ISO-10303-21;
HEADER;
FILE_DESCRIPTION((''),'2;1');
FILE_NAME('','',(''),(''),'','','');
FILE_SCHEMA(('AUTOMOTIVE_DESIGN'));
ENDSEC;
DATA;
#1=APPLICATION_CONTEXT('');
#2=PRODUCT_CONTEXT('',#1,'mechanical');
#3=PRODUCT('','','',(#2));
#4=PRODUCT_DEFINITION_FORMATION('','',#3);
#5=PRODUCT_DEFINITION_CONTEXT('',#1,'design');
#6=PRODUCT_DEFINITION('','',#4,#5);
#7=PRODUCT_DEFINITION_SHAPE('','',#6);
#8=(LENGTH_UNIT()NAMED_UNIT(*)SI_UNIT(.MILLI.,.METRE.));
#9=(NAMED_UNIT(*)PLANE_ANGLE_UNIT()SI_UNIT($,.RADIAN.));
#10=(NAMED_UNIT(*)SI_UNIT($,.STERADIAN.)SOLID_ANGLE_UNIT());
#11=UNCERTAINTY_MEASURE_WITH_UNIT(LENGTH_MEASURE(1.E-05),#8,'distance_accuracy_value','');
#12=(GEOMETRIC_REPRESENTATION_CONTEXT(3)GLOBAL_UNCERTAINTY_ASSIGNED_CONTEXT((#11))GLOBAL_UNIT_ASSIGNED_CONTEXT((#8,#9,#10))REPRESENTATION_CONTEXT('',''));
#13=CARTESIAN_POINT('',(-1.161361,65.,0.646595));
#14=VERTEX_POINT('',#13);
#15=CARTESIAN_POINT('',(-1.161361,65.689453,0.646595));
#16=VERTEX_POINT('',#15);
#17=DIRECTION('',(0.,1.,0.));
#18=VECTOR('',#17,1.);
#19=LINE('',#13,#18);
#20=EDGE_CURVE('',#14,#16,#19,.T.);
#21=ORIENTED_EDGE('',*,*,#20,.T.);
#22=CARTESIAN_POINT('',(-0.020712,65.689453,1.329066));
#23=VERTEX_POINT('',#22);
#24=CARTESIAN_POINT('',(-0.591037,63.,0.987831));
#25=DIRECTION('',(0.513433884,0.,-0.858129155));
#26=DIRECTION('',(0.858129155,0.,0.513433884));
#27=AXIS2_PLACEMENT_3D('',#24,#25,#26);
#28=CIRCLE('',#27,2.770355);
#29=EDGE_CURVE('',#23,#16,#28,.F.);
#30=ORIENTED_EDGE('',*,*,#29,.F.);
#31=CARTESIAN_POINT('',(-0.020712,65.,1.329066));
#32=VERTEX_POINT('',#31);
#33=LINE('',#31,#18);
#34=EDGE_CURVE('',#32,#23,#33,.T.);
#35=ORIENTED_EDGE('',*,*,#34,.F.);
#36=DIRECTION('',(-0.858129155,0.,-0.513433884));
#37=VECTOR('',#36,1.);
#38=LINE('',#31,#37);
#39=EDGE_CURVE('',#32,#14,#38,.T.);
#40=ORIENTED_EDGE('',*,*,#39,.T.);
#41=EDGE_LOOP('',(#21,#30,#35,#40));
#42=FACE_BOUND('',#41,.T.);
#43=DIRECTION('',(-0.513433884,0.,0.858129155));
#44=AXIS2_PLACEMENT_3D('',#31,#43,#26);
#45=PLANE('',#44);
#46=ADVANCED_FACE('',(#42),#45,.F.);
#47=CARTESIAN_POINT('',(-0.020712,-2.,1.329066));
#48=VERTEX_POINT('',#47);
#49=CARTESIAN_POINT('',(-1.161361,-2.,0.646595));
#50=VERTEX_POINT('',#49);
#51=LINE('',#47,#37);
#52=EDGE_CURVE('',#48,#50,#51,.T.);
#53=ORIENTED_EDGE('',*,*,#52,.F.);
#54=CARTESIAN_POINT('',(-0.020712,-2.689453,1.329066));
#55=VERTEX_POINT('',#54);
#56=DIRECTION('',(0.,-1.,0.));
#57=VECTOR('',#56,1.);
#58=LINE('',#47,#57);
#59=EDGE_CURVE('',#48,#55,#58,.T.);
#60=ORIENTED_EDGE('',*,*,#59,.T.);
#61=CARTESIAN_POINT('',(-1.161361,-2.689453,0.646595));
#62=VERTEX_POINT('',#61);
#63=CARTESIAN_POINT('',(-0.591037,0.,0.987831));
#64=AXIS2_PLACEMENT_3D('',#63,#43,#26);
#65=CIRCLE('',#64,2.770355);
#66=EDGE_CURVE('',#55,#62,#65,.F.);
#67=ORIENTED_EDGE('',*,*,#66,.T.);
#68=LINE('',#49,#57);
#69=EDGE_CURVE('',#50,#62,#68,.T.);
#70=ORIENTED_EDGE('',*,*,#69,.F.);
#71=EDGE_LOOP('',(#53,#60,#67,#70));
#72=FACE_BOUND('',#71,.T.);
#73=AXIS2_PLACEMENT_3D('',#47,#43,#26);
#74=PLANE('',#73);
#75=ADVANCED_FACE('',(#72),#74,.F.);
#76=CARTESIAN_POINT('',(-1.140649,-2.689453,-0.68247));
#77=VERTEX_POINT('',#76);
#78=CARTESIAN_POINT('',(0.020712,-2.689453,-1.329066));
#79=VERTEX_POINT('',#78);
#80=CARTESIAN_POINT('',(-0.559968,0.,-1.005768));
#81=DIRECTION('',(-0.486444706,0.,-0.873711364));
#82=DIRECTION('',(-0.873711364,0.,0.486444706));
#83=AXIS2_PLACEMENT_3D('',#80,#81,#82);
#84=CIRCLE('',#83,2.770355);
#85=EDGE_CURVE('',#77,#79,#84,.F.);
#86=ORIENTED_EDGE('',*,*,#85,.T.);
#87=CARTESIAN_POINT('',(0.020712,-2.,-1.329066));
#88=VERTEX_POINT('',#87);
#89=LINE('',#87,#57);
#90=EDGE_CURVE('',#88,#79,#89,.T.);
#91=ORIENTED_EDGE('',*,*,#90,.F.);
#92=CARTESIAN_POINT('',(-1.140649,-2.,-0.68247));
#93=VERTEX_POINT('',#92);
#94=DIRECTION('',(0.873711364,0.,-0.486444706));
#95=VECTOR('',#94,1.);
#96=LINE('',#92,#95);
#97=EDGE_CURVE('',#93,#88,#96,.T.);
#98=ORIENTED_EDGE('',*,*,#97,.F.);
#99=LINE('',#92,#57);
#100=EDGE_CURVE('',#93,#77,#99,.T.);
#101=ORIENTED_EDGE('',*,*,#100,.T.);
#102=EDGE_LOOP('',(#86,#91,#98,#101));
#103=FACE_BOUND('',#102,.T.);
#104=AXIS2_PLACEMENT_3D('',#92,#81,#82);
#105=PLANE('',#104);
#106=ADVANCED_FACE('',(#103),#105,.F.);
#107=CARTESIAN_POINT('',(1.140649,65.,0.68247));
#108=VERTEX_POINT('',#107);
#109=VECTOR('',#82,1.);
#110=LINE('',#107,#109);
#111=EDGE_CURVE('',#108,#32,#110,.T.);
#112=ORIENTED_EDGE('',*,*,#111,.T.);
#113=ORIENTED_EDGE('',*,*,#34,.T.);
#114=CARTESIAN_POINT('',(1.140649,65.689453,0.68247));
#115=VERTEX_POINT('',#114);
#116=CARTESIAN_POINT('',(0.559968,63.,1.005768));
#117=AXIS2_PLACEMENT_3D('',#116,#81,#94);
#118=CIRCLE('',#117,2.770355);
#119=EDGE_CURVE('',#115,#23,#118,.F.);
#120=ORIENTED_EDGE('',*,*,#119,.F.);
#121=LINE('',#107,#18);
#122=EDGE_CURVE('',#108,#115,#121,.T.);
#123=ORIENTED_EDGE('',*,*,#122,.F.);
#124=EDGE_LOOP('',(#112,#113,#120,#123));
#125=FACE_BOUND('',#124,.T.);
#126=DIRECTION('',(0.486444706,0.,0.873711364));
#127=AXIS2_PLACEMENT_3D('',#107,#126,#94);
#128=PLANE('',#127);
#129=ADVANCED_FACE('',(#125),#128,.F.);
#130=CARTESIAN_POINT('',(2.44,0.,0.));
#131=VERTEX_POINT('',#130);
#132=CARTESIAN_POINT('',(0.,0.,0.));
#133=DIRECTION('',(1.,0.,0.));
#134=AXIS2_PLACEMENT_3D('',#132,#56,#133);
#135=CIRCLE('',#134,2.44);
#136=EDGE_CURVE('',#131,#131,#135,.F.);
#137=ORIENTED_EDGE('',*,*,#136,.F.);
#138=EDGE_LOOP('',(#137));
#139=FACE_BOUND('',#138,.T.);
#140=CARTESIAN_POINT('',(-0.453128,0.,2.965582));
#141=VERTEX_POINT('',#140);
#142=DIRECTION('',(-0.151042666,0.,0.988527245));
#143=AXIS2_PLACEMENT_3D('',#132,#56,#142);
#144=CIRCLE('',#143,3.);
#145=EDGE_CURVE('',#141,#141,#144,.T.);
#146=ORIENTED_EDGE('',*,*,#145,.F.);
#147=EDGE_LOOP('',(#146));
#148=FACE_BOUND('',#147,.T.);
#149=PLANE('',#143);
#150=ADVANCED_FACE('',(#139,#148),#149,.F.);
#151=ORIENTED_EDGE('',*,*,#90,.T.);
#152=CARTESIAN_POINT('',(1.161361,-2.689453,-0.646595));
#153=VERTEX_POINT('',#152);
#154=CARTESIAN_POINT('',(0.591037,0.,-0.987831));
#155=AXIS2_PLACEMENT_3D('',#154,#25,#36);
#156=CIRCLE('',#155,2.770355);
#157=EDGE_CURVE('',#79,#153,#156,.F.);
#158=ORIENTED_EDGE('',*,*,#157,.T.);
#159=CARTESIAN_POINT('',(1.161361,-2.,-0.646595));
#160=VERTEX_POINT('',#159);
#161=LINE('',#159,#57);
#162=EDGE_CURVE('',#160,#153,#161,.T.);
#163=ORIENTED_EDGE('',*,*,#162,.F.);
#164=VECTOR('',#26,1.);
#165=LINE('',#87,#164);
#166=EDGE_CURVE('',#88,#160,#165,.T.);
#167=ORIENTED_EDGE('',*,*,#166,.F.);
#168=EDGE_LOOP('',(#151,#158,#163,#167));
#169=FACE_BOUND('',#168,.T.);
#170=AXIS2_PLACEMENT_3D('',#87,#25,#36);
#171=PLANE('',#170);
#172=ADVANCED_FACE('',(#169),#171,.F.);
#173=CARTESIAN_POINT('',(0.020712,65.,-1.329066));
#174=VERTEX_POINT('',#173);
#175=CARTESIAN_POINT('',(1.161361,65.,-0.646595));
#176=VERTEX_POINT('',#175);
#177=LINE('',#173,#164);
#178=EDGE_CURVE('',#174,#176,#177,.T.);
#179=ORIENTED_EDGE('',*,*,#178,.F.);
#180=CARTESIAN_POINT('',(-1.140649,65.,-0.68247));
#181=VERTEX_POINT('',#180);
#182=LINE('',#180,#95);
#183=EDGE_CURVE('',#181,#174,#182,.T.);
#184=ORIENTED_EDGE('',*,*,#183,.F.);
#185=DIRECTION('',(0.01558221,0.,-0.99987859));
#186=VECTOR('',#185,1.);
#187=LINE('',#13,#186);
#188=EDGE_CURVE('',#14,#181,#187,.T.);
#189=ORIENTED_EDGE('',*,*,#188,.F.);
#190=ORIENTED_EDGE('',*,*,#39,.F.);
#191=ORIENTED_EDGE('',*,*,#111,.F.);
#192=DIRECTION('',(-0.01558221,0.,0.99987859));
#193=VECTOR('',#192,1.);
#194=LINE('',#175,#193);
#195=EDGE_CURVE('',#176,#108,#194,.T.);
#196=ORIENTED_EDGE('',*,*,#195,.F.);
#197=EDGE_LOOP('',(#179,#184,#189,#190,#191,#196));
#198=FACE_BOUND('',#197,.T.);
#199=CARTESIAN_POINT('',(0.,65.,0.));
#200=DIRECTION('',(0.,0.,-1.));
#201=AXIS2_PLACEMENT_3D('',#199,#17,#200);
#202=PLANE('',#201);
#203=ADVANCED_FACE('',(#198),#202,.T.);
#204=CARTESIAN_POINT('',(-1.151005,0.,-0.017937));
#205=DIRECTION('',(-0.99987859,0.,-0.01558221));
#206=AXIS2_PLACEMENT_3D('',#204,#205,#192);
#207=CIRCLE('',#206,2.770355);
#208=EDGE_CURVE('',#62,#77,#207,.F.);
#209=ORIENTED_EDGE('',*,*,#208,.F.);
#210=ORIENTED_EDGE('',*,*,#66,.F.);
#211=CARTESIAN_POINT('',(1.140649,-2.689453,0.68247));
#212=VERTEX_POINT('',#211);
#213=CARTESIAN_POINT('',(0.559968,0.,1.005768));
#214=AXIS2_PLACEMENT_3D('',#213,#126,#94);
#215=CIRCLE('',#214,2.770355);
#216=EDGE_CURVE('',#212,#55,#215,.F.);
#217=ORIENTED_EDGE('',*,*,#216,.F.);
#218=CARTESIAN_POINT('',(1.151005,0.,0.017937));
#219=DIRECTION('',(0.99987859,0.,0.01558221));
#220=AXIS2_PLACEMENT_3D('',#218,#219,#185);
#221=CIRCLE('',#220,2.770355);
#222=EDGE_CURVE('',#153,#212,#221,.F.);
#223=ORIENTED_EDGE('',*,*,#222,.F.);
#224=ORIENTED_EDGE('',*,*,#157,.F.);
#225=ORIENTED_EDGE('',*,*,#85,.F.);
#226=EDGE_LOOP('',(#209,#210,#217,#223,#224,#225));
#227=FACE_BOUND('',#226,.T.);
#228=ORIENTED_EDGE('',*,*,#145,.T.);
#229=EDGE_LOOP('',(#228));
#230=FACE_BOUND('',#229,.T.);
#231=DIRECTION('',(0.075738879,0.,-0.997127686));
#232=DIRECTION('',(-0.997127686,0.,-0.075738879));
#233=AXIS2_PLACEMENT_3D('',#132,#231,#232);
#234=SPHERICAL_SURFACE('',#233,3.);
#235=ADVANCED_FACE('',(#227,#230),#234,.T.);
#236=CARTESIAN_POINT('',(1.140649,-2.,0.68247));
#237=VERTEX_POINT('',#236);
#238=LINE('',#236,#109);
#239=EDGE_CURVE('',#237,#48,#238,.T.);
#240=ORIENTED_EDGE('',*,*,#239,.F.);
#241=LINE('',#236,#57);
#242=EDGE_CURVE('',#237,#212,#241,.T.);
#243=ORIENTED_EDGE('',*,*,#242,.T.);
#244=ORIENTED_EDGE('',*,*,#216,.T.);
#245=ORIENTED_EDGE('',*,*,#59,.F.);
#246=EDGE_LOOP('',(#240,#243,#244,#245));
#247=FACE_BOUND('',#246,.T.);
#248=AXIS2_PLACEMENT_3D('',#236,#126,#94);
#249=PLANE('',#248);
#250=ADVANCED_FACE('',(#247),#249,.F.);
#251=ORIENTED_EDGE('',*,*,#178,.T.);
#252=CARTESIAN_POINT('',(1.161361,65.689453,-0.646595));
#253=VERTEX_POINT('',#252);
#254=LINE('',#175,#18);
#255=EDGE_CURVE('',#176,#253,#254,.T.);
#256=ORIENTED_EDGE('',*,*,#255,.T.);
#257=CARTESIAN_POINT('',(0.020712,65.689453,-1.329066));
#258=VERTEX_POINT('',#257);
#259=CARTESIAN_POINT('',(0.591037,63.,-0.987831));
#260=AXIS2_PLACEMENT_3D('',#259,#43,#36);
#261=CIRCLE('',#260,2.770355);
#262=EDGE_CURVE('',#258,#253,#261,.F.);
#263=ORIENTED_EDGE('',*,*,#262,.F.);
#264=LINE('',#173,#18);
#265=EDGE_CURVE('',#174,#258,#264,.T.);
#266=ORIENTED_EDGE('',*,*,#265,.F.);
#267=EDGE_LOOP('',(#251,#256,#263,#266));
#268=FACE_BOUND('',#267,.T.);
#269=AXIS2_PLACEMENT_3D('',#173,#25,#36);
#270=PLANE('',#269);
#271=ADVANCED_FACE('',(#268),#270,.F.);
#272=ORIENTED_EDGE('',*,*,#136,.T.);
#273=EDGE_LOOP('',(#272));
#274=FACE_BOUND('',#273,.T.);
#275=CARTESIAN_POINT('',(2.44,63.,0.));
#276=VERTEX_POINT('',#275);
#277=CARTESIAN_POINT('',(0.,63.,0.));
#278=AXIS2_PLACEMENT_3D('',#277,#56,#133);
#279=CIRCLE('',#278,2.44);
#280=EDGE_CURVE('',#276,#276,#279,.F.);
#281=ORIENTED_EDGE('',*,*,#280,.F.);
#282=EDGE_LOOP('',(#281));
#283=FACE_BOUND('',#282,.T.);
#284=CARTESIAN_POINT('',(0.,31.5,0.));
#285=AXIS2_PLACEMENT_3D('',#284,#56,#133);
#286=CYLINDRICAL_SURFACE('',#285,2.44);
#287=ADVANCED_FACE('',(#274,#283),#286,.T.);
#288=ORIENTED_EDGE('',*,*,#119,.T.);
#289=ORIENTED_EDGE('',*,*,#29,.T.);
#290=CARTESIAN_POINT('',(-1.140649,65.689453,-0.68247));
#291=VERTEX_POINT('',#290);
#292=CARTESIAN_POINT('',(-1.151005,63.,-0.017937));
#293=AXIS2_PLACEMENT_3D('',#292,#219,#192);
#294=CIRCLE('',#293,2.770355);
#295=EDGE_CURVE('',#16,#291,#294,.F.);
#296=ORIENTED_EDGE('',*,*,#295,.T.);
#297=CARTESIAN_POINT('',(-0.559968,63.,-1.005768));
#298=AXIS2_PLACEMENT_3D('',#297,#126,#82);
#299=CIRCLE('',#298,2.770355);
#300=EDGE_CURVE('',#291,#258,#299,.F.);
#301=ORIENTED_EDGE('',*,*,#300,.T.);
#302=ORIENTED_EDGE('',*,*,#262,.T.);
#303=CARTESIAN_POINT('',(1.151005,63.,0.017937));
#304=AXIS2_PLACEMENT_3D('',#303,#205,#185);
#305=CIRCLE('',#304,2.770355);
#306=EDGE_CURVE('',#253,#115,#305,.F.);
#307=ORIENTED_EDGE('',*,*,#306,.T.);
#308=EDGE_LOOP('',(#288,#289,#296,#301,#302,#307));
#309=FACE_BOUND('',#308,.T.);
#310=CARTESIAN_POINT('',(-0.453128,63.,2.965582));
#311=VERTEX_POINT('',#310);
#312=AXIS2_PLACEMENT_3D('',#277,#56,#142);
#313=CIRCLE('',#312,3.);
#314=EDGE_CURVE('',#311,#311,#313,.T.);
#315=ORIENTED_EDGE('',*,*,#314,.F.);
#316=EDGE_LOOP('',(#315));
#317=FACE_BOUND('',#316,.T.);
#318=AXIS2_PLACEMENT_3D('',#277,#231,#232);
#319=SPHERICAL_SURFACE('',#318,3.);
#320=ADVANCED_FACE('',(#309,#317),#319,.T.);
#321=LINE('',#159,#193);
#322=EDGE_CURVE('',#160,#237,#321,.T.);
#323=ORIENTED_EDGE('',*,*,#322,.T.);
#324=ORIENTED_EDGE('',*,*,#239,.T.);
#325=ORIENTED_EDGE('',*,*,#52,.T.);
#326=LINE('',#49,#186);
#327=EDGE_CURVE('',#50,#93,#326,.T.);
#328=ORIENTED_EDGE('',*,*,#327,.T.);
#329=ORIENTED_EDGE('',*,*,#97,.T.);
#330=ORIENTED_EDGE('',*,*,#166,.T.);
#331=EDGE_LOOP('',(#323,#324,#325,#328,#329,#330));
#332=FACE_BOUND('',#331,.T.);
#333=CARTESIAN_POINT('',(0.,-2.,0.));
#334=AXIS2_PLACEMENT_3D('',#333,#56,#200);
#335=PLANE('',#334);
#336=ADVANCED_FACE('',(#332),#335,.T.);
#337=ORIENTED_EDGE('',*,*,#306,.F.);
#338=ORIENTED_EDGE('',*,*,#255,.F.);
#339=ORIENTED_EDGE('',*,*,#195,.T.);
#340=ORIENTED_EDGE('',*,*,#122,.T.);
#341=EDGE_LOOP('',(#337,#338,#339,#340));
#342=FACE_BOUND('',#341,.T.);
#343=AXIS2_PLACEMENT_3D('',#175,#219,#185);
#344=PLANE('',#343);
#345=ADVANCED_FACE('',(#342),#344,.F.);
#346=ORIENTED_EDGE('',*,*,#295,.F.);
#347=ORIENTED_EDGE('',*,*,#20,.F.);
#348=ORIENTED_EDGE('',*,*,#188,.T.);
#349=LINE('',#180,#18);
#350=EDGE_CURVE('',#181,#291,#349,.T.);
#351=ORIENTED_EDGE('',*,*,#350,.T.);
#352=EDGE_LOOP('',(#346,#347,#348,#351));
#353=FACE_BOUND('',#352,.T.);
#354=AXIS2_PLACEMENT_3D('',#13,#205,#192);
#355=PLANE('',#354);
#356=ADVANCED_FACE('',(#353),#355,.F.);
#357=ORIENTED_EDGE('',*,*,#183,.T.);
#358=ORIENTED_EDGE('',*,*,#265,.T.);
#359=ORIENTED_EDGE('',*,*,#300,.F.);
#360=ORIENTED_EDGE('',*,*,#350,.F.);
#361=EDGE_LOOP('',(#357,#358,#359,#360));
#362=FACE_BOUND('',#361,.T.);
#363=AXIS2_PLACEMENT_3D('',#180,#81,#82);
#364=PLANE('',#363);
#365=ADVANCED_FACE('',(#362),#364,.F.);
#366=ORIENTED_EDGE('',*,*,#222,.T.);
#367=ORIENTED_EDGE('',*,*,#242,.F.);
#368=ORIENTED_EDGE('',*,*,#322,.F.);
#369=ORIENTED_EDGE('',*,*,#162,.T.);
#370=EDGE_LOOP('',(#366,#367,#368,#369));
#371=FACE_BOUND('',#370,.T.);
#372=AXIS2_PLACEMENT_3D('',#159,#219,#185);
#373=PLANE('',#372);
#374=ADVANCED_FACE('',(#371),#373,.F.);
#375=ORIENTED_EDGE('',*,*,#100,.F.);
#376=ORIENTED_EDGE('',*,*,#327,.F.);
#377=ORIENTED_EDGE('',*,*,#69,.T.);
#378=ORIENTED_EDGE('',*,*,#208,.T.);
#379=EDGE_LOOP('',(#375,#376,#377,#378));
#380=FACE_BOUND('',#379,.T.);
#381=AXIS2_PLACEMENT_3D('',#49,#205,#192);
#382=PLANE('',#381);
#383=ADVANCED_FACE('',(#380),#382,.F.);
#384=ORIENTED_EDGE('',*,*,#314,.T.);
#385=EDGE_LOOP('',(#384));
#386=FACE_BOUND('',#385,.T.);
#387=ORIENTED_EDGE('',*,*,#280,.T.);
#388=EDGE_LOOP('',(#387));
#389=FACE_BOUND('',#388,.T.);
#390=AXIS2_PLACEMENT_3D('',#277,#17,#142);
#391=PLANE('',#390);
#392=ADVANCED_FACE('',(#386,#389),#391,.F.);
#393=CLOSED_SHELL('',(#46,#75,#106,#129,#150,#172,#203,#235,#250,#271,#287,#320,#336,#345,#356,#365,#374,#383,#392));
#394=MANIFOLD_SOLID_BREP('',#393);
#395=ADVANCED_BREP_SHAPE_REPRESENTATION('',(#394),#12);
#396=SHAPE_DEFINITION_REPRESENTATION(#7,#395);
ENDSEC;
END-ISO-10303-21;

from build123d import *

# Parameters (mm, degrees)
REVOLVE_1_ANGLE     = 180
CUT_EXTRUDE_1_DEPTH = 1
SKETCH_3_R          = 2.44
EXTRUDE_1_DEPTH     = 31.5


with BuildPart() as part:
    # 草图1 → 旋转1 (revolve)
    with BuildSketch(Plane(origin=(0, 0, 0), x_dir=(1, 0, 0), z_dir=(0, 1, 0))):
        with BuildLine():
            Line((-0.227216636, -2.991383058), (0.227216636, 2.991383058))
            ThreePointArc((0.227216636, 2.991383058), (-2.991383058, 0.227216636), (-0.227216636, -2.991383058))
        make_face()
    revolve(axis=Axis((0.227216636, 0, -2.991383058), (-0.07573887865673318, 0, 0.9971276860361569)), revolution_arc=REVOLVE_1_ANGLE)

    # 草图2 → 切除-拉伸1 (cut)
    with BuildSketch(Plane(origin=(0, -3, 0), x_dir=(-1, 0, 0), z_dir=(0, -1, 0))):
        Polygon((1.161360834, -0.646595492), (1.140648539, 0.68247024), (-0.020712296, 1.329065731), (-1.161360834, 0.646595492), (-1.140648539, -0.68247024), (0.020712296, -1.329065731), align=None)
    extrude(amount=-CUT_EXTRUDE_1_DEPTH, mode=Mode.SUBTRACT)

    # 草图3 → 凸台-拉伸1 (add)
    with BuildSketch(Plane(origin=(0, 0, 0), x_dir=(1, 0, 0), z_dir=(0, 1, 0))):
        Circle(SKETCH_3_R)
    extrude(amount=EXTRUDE_1_DEPTH)

    # 镜向1: part across plane


with BuildPart() as part_1:
    add(part.part)
    add(part.part.mirror(Plane.ZX.offset(31.5)))


solid = part_1.part
